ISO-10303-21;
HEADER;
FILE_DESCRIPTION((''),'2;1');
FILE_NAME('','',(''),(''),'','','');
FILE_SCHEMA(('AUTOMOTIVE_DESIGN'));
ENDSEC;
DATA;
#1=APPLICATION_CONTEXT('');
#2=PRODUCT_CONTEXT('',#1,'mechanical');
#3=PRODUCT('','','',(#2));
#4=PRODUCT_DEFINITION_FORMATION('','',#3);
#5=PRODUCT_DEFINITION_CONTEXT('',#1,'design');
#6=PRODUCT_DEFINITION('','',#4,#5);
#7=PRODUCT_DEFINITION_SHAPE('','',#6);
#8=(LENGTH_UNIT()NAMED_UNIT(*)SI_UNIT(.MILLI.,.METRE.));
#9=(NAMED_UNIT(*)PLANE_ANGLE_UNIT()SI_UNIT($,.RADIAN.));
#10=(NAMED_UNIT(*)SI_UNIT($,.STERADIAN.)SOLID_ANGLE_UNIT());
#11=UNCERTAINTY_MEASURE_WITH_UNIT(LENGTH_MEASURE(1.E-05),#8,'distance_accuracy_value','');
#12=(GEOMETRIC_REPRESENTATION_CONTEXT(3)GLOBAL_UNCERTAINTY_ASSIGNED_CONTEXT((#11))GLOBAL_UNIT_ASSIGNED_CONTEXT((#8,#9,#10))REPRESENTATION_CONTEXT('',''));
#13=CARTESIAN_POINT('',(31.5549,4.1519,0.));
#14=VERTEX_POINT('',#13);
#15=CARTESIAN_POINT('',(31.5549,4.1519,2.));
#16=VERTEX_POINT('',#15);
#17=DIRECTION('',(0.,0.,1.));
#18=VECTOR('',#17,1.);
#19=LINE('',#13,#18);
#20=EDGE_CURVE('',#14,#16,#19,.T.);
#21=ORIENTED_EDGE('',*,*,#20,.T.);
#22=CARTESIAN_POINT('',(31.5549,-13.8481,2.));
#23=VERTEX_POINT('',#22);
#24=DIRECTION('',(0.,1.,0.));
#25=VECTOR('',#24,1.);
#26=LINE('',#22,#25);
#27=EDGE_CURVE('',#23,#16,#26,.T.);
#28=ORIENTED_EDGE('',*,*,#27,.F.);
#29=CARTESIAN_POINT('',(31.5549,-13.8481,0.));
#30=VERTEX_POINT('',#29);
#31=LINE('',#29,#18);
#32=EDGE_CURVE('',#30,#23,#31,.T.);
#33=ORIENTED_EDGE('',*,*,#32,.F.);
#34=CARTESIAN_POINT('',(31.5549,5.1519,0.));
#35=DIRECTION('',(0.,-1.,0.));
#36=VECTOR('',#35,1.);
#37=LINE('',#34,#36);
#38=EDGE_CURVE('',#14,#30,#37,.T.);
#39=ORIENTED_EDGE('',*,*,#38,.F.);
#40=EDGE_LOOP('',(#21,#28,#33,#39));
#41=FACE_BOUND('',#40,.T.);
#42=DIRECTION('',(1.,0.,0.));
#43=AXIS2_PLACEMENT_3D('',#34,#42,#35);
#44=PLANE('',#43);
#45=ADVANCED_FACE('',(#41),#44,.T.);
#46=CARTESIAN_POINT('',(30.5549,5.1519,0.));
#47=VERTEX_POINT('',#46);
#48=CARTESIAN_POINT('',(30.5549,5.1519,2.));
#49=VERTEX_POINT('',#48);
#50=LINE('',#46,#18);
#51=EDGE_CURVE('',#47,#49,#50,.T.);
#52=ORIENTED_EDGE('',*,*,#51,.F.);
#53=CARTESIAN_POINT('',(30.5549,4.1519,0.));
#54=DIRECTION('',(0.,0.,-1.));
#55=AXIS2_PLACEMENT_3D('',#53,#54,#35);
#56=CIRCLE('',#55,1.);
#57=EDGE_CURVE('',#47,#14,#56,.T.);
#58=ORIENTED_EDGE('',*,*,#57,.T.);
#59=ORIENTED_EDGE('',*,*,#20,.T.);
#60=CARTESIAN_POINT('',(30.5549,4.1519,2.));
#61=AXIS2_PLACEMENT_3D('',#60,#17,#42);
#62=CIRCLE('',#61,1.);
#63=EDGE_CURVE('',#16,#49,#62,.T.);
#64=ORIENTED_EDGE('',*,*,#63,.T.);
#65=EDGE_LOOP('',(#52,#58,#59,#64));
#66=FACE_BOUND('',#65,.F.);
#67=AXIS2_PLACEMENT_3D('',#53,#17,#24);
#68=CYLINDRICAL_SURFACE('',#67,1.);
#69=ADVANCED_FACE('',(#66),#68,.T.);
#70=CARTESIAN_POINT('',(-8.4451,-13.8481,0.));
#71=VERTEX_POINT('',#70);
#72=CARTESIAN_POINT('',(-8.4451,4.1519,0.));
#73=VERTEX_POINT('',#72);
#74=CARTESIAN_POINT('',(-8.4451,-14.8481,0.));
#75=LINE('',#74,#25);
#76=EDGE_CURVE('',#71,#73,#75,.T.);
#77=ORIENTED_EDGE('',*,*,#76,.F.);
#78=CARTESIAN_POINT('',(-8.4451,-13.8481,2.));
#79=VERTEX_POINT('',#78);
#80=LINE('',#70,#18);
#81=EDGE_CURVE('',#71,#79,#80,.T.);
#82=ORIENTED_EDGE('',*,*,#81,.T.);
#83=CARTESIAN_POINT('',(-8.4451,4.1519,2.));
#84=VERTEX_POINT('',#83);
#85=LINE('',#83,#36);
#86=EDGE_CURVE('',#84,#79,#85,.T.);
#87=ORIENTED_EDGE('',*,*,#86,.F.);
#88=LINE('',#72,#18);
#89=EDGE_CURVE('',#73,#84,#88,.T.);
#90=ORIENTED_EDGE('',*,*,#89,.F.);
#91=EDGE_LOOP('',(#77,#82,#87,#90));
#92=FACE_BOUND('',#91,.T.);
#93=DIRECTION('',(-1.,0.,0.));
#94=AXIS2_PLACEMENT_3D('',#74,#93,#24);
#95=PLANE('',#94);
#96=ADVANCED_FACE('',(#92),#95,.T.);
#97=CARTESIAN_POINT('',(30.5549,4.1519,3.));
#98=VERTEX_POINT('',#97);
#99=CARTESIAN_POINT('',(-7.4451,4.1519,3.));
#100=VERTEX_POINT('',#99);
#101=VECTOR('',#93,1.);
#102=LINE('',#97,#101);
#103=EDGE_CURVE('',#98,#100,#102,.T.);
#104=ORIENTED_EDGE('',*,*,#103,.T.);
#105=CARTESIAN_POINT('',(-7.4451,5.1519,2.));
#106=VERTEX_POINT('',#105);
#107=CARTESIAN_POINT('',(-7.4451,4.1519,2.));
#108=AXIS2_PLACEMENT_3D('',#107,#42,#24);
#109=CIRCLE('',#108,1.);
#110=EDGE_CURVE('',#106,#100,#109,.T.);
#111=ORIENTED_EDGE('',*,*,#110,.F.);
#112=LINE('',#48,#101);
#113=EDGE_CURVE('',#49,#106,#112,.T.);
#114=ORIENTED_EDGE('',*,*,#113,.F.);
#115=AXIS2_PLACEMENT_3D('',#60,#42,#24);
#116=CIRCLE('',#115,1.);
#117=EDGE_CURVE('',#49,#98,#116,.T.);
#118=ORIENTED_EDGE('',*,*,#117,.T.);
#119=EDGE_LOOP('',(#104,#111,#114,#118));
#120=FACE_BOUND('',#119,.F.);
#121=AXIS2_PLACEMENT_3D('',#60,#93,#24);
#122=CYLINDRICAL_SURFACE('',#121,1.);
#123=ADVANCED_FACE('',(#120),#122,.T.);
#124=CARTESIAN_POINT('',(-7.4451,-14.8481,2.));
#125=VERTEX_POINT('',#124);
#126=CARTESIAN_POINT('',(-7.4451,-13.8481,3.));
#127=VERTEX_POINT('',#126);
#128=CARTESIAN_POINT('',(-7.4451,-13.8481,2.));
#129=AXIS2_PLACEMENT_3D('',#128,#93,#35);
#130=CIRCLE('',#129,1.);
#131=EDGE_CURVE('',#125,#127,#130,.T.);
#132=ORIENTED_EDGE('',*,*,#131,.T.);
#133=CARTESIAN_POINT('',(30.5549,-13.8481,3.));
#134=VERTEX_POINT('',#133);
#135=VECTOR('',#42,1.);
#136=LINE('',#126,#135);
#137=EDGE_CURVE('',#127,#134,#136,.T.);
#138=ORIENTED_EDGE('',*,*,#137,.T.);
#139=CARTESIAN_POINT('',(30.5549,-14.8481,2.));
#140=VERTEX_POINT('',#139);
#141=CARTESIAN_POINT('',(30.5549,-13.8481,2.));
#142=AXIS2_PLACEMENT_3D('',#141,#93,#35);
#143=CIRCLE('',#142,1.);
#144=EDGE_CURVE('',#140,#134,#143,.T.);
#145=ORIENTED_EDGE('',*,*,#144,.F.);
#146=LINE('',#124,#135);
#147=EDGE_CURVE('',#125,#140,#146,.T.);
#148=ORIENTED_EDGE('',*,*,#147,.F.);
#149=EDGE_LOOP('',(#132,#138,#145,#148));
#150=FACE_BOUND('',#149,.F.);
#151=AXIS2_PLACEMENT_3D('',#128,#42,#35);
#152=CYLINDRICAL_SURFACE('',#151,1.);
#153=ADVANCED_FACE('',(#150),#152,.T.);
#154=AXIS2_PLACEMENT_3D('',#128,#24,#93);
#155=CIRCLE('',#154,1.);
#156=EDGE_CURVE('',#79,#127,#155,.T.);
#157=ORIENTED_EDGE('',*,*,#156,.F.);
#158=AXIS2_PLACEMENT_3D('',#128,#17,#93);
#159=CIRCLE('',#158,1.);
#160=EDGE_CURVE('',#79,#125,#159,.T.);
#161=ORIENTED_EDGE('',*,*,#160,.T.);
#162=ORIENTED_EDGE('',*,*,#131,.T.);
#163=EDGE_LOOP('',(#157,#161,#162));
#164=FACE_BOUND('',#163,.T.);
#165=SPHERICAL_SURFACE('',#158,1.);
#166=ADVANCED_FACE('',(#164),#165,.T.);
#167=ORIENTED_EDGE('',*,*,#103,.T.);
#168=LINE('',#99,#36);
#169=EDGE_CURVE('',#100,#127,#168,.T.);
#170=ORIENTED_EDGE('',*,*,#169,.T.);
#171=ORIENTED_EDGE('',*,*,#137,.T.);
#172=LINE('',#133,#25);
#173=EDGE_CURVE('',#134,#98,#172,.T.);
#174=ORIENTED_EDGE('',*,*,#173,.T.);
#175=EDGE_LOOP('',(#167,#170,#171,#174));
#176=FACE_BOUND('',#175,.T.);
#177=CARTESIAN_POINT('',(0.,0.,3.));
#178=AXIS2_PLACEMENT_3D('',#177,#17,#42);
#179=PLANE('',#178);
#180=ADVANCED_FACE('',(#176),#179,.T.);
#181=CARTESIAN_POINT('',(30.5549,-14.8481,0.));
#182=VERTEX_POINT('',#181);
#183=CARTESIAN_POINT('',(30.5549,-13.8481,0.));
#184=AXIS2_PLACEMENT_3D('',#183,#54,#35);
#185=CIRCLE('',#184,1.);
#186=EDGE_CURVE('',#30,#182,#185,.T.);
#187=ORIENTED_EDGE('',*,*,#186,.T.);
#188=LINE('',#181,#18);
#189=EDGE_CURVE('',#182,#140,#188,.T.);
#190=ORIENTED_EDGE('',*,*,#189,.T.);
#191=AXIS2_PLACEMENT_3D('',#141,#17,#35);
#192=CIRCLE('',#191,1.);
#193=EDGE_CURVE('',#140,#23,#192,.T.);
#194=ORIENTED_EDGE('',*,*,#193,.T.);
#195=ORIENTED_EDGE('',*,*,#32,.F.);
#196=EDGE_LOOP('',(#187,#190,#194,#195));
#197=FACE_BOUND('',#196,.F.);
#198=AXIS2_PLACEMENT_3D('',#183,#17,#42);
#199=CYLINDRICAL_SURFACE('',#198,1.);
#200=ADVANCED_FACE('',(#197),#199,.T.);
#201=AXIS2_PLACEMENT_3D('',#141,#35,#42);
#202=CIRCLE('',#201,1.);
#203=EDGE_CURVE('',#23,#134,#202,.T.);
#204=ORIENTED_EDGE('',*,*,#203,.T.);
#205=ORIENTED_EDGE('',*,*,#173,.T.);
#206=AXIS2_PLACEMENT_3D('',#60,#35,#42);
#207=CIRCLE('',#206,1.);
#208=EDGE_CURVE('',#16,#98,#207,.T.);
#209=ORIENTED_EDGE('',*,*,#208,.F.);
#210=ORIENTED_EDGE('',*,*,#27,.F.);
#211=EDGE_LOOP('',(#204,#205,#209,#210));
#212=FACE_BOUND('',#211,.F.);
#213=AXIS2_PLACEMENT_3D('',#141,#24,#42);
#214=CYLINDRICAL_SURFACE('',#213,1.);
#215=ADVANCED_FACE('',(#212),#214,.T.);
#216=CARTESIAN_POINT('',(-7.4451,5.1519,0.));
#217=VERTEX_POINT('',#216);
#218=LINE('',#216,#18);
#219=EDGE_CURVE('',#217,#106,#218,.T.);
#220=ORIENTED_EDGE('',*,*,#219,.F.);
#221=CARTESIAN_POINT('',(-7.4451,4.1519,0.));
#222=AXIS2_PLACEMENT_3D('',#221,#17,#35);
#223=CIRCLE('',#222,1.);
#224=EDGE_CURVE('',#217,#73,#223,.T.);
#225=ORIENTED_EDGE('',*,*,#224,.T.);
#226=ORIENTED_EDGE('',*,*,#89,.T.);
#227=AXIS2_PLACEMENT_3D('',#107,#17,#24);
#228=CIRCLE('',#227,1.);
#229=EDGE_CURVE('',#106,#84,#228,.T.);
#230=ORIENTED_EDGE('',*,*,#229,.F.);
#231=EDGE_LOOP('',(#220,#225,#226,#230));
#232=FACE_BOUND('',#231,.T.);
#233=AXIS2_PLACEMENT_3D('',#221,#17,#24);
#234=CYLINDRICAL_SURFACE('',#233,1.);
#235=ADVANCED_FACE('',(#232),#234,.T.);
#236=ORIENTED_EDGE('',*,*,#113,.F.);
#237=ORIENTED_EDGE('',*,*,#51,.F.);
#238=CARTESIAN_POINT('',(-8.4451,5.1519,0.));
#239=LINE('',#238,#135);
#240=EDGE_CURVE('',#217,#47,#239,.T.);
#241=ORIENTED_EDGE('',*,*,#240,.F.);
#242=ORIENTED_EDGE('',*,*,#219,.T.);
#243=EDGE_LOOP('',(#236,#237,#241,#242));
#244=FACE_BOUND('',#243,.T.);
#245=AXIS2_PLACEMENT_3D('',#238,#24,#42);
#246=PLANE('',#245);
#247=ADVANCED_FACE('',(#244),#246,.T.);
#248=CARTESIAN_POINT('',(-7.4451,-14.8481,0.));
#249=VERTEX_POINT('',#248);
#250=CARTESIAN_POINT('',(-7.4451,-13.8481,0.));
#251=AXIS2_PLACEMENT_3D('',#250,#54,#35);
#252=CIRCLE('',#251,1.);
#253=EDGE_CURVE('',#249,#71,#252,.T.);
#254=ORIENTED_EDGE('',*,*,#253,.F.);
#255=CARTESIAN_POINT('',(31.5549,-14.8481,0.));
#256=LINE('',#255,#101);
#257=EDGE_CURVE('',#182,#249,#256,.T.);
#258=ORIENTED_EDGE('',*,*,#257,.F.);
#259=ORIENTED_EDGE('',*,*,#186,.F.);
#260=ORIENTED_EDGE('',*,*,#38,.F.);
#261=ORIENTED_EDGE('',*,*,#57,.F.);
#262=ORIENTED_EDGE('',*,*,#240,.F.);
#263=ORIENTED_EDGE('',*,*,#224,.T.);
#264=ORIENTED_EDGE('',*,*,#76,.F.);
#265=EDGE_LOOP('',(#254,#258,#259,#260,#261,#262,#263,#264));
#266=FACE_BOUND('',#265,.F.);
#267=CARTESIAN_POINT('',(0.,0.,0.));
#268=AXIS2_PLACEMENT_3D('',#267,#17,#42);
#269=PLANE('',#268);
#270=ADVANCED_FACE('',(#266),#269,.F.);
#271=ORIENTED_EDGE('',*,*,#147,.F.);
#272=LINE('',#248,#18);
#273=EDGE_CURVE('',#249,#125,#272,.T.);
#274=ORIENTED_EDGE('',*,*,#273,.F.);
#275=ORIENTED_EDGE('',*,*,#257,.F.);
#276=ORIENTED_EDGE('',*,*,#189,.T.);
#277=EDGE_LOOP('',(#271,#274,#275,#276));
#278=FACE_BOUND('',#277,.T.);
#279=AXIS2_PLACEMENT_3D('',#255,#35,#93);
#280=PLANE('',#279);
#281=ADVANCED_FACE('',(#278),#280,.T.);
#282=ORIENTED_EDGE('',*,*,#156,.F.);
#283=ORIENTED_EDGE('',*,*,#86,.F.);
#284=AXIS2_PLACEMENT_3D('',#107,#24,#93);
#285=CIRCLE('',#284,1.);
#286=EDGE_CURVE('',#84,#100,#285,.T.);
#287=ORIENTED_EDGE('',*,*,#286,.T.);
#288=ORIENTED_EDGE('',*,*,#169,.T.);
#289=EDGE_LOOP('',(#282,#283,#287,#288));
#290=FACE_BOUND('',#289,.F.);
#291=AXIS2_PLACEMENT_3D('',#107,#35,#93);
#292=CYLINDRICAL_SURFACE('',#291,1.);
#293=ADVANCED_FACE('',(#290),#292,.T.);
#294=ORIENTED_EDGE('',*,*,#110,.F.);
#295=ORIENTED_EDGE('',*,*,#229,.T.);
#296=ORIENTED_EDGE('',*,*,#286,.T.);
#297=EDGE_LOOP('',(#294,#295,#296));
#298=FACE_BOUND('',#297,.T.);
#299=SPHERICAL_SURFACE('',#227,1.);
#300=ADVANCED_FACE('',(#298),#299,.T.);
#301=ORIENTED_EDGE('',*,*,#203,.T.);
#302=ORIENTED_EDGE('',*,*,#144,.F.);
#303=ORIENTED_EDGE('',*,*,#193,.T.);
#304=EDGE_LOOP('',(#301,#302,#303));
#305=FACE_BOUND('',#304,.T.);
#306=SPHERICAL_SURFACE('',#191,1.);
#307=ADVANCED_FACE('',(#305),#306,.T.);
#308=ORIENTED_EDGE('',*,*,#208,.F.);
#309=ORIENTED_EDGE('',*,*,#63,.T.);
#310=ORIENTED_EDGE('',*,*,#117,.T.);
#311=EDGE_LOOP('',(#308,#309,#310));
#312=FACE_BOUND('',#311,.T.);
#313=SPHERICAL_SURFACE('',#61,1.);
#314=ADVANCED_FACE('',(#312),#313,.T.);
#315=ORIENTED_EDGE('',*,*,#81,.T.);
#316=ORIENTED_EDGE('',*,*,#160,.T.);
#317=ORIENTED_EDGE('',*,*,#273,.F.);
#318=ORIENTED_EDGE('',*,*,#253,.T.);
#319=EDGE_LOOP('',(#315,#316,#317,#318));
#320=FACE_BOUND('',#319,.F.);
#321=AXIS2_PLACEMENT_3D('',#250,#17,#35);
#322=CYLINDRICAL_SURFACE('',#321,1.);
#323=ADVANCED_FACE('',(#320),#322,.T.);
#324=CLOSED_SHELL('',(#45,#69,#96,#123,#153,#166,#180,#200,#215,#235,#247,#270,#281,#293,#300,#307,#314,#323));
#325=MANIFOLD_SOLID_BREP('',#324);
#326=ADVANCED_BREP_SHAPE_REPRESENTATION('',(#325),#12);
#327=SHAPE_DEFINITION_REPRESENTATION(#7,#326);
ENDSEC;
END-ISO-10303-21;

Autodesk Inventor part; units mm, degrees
ref_plane "YZ Plane" through (0, 0, 0) normal (1, 0, 0) x (0, 1, 0)
ref_plane "XZ Plane" through (0, 0, 0) normal (0, 1, 0) x (-1, 0, 0)
ref_plane "XY Plane" through (0, 0, 0) normal (0, 0, 1) x (1, 0, 0)
sketch "Szkic1" plane through (0, 0, 0) normal (0, 0, 1) x (1, 0, 0)
  line L0 (-8.4451, 5.1519) -> (31.5549, 5.1519)
  line L1 (31.5549, 5.1519) -> (31.5549, -14.8481)
  line L2 (31.5549, -14.8481) -> (-8.4451, -14.8481)
  line L3 (-8.4451, -14.8481) -> (-8.4451, 5.1519)
  point P0 (0, 0)
  dimension "d0" = 40
  dimension "d1" = 20
extrude "Wyciągnięcie proste1" add sketch "Szkic1" along normal blind 3
fillet "Zaokrąglenie1" radius 1 4 edges at (-8.4451, 5.1519, 1.5) (31.5549, 5.1519, 1.5) (31.5549, -14.8481, 1.5) (-8.4451, -14.8481, 1.5)
fillet "Zaokrąglenie2" radius 1 8 edges at (-8.1522, 4.859, 3) (-8.4451, -4.8481, 3) (-8.1522, -14.5552, 3) (11.5549, -14.8481, 3) (31.262, -14.5552, 3) (31.5549, -4.8481, 3) (31.262, 4.859, 3) (11.5549, 5.1519, 3)
properties part number "COTS_GENERIC_20x40_Alu_Extrusion_Endcap"
